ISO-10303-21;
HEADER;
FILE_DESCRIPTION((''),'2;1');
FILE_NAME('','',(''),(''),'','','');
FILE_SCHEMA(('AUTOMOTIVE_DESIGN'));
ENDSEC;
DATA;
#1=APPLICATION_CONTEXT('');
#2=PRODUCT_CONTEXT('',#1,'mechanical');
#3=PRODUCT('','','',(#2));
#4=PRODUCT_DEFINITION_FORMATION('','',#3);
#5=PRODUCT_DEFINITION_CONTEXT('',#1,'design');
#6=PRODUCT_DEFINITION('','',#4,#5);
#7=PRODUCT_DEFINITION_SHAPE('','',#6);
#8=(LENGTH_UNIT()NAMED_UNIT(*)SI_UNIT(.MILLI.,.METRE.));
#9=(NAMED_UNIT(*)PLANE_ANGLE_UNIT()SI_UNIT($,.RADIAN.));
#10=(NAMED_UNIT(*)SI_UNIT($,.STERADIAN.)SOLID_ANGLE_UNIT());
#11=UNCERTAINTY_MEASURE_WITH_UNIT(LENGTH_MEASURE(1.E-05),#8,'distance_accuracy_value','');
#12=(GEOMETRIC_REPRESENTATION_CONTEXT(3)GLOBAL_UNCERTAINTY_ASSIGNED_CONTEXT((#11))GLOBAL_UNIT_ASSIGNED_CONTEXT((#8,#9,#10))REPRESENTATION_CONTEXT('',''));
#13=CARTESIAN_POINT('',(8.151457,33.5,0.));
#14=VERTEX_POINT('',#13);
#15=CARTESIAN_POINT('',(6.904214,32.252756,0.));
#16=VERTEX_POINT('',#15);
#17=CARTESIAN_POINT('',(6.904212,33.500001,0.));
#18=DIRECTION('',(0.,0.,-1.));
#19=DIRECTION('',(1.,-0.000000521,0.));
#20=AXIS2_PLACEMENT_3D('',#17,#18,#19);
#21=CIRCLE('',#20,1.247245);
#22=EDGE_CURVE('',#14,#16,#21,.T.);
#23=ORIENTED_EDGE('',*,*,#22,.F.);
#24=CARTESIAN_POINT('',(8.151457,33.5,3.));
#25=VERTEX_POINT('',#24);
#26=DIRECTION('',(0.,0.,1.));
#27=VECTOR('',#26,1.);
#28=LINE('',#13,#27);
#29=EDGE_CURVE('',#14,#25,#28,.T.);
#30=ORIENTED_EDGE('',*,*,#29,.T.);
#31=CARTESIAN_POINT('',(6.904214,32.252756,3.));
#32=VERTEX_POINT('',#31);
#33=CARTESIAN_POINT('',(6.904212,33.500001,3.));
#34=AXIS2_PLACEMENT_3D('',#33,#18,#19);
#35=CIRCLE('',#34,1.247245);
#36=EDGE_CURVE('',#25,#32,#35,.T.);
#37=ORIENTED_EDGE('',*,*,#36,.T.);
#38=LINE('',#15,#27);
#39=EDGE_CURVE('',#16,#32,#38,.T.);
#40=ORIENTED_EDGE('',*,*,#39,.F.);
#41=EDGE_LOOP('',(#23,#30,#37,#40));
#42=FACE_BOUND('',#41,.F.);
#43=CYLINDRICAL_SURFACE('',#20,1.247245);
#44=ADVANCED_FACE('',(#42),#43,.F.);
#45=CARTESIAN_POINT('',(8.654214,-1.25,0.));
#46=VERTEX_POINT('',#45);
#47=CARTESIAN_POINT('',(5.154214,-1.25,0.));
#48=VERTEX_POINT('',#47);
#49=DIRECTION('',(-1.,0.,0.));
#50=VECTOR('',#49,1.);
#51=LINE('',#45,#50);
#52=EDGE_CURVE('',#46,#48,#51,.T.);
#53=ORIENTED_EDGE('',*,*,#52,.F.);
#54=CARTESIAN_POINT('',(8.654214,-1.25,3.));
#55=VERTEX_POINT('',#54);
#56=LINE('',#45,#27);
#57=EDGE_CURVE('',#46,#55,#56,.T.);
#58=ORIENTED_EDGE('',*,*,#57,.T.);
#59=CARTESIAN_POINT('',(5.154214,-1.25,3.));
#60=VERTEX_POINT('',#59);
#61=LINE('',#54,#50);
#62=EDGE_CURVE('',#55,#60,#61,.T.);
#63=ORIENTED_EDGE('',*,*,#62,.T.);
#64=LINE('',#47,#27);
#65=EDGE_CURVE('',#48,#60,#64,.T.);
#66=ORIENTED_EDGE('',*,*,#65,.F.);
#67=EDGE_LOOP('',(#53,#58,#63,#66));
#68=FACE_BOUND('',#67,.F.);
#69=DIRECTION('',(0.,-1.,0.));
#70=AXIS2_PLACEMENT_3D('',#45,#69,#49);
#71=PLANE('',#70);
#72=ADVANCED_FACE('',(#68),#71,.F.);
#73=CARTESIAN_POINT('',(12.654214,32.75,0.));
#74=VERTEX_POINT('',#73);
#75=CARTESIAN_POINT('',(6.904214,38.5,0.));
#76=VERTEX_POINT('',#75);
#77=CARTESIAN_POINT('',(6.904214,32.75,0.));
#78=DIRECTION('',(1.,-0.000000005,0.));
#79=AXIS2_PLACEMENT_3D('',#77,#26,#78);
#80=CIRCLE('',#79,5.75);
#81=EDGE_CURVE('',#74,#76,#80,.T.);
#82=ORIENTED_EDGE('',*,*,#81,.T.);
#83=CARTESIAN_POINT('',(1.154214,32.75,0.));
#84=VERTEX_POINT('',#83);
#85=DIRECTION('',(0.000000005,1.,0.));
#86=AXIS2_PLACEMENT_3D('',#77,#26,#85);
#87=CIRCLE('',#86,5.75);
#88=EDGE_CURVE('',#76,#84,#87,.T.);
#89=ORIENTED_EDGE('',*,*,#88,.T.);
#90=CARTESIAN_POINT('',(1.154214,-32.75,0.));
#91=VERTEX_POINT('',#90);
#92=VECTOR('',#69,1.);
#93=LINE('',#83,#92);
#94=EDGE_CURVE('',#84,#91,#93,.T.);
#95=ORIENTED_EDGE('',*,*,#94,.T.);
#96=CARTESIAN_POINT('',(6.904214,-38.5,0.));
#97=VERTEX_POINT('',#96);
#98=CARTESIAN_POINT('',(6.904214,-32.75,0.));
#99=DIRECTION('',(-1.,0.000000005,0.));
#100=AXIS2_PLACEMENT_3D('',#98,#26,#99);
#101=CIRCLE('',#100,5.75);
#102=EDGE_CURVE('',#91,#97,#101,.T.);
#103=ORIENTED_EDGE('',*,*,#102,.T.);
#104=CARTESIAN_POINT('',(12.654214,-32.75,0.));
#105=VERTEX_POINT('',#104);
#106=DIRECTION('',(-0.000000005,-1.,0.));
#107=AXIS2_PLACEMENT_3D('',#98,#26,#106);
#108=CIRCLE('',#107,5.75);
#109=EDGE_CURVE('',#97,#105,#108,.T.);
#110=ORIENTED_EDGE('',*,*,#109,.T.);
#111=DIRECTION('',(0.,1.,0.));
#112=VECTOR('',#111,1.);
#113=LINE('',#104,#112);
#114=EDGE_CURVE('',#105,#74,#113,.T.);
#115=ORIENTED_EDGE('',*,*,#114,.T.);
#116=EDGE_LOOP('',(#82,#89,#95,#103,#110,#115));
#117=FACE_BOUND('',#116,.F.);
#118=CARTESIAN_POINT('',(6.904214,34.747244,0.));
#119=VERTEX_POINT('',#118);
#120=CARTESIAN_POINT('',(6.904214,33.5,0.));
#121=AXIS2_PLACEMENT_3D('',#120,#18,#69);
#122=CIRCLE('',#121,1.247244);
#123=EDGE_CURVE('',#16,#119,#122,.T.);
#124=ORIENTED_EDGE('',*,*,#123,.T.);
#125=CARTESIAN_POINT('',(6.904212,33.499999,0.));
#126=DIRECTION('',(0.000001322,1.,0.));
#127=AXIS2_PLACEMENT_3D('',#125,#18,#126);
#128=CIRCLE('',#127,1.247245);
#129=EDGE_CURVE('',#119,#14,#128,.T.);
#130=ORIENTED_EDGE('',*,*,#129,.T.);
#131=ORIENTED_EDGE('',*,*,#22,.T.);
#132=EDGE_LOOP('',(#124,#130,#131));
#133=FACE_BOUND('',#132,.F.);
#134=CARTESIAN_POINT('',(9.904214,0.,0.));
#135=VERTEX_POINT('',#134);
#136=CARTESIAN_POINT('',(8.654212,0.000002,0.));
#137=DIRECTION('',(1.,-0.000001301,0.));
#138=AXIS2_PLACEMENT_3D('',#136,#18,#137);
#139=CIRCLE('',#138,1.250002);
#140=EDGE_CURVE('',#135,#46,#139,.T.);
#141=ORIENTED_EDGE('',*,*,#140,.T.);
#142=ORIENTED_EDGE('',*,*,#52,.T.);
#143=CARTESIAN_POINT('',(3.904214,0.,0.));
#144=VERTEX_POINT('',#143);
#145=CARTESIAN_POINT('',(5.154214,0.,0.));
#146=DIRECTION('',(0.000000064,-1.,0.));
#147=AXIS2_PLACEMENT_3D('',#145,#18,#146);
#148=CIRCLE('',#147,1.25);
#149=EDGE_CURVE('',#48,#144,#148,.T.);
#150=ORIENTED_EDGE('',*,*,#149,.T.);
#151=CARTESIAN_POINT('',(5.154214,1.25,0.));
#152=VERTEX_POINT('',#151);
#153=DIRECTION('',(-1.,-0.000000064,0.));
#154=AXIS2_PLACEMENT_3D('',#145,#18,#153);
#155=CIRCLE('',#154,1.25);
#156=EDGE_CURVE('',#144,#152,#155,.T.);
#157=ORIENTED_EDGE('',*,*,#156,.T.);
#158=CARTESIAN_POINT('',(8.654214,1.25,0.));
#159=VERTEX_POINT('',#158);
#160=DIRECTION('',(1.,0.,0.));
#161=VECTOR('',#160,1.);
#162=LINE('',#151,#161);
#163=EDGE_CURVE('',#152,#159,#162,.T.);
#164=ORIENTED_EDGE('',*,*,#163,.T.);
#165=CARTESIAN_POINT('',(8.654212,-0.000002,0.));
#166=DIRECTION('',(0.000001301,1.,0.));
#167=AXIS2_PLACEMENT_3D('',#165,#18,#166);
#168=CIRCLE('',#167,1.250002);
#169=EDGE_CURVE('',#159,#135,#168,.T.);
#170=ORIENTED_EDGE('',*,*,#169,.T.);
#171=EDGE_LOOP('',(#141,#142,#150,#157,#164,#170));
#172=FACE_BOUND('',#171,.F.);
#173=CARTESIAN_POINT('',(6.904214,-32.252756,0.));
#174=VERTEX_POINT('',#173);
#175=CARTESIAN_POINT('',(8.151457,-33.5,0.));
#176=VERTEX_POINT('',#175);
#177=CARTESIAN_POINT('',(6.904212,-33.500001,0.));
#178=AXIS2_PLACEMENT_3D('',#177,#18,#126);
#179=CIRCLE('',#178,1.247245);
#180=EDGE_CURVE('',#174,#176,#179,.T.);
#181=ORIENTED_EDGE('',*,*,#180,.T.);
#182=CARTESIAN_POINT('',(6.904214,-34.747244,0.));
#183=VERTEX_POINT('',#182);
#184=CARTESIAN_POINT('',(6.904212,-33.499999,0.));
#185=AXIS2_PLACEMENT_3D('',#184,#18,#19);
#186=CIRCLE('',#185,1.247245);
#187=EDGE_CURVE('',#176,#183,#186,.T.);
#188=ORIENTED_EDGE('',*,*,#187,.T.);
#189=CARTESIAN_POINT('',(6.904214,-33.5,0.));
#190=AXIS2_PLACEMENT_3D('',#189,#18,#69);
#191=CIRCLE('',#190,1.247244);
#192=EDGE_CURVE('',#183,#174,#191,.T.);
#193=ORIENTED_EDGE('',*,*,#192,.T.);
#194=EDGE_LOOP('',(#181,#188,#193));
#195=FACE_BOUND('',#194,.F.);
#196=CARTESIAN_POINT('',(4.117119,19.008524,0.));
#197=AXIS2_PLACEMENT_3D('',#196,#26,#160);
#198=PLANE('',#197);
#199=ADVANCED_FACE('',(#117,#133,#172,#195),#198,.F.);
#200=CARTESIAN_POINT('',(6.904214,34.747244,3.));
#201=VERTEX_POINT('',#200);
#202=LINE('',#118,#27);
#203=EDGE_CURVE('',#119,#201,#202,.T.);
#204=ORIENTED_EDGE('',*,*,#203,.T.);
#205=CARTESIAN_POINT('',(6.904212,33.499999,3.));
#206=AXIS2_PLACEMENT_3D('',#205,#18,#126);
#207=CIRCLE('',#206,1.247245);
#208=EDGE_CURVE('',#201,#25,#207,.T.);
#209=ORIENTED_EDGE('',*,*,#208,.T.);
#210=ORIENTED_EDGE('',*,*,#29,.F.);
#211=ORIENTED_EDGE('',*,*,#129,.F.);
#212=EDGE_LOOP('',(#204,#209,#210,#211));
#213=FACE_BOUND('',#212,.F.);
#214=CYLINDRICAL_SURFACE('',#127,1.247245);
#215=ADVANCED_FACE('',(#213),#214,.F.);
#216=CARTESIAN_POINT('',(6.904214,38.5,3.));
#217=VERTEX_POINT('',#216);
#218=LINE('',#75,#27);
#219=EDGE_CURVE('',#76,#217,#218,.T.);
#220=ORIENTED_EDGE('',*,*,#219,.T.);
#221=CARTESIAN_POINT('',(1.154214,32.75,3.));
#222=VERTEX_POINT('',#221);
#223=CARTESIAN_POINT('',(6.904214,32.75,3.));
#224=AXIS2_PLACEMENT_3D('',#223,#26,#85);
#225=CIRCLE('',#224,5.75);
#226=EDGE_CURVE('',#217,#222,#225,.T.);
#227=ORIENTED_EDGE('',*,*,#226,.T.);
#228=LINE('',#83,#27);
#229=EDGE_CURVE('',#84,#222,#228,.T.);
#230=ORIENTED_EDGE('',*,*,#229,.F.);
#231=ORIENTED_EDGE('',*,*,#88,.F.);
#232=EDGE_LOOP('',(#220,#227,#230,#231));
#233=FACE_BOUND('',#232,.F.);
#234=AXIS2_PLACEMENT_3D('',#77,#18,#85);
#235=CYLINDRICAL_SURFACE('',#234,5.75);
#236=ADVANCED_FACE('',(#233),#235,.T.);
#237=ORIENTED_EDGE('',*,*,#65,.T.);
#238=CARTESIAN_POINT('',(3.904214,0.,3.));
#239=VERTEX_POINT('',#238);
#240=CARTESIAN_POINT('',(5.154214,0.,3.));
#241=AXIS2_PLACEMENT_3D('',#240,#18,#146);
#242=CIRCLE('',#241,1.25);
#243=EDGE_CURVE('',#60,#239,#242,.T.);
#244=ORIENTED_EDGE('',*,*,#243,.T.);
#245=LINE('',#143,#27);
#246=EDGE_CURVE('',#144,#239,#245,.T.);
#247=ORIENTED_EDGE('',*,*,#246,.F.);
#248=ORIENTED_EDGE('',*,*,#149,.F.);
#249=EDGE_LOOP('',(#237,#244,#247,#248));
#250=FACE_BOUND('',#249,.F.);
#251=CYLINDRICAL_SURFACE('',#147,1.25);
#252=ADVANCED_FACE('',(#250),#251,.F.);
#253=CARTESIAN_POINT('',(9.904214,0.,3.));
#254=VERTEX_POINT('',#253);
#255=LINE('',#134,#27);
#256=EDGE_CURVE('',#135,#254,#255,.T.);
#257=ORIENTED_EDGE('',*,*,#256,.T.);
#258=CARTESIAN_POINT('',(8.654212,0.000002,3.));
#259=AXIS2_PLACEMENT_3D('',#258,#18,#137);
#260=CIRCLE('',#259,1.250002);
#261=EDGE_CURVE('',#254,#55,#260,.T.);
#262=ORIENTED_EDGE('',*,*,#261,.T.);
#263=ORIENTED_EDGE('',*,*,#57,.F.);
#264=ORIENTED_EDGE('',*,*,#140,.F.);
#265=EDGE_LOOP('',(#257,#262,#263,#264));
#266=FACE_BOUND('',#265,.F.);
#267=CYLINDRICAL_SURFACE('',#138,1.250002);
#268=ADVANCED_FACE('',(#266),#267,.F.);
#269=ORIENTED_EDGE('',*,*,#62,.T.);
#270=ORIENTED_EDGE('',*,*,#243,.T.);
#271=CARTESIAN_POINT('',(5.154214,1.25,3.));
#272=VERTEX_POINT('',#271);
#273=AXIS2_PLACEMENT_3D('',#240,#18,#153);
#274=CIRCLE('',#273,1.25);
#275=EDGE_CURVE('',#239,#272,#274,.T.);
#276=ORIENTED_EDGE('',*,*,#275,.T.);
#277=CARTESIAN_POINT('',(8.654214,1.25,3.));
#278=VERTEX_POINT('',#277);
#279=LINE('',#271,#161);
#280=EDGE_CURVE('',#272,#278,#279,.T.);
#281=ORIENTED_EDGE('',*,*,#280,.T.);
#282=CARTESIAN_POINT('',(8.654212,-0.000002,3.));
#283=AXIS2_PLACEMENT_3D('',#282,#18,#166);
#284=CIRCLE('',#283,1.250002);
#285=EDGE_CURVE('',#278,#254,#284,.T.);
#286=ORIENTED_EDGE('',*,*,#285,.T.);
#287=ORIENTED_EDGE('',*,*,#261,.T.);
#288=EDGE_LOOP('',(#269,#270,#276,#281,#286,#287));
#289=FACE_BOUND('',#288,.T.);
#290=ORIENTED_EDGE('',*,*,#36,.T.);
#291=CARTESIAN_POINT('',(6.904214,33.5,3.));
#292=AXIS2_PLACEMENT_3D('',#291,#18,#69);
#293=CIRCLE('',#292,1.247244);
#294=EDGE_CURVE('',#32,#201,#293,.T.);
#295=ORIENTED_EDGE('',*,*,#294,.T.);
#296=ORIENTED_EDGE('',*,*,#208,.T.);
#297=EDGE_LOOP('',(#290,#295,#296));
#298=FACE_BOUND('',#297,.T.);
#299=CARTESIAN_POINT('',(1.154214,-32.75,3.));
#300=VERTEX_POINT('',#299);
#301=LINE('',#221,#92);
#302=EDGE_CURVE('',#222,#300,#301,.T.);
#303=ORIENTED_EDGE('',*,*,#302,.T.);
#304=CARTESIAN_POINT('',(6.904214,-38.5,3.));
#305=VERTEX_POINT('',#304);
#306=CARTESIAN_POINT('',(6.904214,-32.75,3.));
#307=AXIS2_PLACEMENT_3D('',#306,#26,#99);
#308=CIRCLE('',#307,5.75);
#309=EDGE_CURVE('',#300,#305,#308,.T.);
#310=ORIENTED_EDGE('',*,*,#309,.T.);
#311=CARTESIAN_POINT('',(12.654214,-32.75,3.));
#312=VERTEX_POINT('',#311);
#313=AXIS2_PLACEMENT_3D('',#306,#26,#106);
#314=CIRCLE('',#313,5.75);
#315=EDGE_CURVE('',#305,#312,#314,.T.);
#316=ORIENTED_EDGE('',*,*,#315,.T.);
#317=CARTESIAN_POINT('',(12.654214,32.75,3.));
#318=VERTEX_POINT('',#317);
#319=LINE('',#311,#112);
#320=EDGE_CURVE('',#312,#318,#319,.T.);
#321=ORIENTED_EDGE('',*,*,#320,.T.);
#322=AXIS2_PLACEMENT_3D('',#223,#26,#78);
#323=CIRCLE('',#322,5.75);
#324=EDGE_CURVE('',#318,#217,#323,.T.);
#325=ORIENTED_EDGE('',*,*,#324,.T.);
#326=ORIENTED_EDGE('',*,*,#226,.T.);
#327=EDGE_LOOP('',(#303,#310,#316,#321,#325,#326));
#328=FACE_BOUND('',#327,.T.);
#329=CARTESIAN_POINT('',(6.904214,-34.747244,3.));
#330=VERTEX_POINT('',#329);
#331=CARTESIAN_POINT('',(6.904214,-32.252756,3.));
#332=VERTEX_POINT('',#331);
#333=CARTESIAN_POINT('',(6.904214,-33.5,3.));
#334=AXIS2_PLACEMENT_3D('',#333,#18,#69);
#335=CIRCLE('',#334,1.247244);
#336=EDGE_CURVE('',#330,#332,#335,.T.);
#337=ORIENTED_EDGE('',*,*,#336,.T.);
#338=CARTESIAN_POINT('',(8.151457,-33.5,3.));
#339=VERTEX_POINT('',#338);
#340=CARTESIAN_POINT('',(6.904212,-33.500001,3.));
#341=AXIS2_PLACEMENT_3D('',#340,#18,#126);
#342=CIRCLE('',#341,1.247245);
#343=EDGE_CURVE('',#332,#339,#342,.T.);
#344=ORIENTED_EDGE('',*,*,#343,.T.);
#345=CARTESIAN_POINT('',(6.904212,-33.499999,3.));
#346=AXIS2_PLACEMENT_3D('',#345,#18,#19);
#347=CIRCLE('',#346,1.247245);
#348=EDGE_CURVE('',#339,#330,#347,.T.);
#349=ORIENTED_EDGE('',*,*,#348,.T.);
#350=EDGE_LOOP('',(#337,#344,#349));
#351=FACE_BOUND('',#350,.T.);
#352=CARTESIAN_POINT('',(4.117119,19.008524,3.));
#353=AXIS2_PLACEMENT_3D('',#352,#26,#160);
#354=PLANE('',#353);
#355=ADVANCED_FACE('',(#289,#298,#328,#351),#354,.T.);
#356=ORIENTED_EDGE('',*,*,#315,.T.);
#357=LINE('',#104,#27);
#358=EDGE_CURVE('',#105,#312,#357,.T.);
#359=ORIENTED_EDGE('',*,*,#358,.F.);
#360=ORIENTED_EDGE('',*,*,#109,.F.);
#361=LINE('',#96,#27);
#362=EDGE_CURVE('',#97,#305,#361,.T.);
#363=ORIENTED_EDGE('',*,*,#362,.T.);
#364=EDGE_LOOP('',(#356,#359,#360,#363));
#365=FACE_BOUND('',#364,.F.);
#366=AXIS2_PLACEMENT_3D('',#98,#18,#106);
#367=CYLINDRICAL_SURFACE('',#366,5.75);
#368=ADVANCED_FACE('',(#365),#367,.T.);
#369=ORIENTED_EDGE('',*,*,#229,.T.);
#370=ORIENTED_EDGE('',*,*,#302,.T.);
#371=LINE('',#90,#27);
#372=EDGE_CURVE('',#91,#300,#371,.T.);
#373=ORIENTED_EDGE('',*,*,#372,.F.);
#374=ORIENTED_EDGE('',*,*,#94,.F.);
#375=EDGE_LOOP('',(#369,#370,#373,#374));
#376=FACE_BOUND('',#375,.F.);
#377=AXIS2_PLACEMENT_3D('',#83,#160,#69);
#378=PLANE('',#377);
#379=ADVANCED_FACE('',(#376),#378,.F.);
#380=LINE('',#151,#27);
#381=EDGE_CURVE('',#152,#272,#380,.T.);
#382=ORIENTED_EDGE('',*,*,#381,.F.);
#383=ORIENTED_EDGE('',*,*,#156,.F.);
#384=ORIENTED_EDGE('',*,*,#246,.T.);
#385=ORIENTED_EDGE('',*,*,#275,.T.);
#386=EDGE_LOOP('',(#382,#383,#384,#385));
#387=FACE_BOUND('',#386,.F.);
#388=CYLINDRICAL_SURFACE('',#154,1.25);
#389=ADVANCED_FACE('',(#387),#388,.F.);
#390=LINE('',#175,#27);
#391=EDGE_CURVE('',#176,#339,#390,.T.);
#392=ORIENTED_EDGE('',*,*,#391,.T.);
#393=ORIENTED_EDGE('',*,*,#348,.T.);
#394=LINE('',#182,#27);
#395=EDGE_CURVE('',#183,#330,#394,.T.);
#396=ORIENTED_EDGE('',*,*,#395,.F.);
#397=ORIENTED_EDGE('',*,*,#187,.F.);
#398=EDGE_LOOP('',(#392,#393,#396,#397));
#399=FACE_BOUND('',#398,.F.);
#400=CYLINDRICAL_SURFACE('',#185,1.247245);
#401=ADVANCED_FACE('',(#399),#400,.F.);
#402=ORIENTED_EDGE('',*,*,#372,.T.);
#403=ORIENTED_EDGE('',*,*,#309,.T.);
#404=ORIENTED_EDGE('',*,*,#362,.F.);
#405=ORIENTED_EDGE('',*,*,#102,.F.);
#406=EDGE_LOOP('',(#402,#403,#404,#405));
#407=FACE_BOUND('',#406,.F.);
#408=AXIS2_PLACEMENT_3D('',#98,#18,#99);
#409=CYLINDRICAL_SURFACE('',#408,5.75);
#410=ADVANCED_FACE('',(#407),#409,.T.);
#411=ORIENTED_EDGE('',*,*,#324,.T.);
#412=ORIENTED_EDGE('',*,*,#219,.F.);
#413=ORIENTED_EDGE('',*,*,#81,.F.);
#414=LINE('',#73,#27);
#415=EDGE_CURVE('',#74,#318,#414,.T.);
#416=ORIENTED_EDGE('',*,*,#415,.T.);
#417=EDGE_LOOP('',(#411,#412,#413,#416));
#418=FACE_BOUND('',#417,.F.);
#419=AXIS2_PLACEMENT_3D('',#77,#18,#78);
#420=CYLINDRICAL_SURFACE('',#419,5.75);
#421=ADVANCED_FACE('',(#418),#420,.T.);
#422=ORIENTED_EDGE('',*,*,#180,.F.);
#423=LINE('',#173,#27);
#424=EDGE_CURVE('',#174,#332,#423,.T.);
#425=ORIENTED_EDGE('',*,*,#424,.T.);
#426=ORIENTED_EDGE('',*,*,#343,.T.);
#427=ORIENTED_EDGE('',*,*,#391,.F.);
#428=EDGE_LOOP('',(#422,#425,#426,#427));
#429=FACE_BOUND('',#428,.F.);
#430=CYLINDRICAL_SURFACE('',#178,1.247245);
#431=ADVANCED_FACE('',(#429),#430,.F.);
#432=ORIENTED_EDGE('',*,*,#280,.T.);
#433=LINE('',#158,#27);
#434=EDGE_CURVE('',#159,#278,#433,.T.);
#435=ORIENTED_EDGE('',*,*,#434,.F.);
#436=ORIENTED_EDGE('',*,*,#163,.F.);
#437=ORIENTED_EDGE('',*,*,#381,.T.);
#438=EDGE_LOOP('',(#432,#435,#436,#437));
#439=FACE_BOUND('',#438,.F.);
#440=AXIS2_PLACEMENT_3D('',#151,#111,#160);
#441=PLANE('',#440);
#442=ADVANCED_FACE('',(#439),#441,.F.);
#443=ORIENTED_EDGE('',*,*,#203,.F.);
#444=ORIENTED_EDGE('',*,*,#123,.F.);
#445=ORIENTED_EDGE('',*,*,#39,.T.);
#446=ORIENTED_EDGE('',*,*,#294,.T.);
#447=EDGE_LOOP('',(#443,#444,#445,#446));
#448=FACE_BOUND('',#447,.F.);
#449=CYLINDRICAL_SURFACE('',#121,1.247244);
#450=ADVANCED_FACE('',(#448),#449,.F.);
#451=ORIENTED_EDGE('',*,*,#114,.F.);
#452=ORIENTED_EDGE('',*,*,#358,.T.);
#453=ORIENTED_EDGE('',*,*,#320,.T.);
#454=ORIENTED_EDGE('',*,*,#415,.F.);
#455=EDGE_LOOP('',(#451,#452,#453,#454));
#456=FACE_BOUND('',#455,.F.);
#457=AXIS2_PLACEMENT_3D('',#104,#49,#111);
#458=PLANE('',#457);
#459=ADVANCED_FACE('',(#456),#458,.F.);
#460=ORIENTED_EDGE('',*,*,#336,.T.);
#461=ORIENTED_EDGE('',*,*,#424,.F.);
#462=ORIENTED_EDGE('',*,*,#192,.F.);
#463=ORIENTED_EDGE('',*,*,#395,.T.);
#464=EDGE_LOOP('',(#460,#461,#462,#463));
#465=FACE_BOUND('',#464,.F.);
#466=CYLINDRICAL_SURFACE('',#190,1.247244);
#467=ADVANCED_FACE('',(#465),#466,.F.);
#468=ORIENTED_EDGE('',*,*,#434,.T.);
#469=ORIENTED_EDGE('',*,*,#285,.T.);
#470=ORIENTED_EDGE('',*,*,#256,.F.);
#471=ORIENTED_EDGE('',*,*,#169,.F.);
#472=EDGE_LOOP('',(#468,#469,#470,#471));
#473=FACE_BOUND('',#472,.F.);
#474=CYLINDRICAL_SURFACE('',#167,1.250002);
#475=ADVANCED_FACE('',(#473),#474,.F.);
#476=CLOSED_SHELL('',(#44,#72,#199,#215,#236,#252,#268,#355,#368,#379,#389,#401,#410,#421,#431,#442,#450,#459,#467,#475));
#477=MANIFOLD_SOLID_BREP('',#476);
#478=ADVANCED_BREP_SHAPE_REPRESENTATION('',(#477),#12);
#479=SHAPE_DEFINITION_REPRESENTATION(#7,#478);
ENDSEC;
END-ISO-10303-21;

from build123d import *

# Parameters (mm, degrees)
F1_DEPTH = 3


with BuildPart() as f1:
    # F0 (on Top) → F1 (new body)
    with BuildSketch(Plane.XY):
        with BuildLine():
            Line((1.154214, 32.75), (1.154214, 0))
            Line((1.154214, 0), (3.904214, 0))
            ThreePointArc((3.904214, 0), (4.27033, 0.883883), (5.154214, 1.25))
            Line((5.154214, 1.25), (6.904214, 1.25))
            Line((6.904214, 1.25), (6.904214, 32.252756))
            ThreePointArc((6.904214, 32.252756), (5.65697, 33.5), (6.904214, 34.747244))
            Line((6.904214, 34.747244), (6.904214, 38.5))
            ThreePointArc((6.904214, 38.5), (2.83835, 36.815864), (1.154214, 32.75))
        make_face()
        with BuildLine():
            Line((3.904214, 0), (1.154214, 0))
            Line((1.154214, 0), (1.154214, -32.75))
            ThreePointArc((1.154214, -32.75), (2.83835, -36.815864), (6.904214, -38.5))
            Line((6.904214, -38.5), (6.904214, -34.747244))
            ThreePointArc((6.904214, -34.747244), (5.65697, -33.5), (6.904214, -32.252756))
            Line((6.904214, -32.252756), (6.904214, -1.25))
            Line((6.904214, -1.25), (5.154214, -1.25))
            ThreePointArc((5.154214, -1.25), (4.27033, -0.883883), (3.904214, 0))
        make_face()
        with BuildLine():
            ThreePointArc((12.654214, 32.75), (10.970078, 36.815864), (6.904214, 38.5))
            Line((6.904214, 38.5), (6.904214, 34.747244))
            ThreePointArc((6.904214, 34.747244), (7.786148, 34.381934), (8.151457, 33.5))
            ThreePointArc((8.151457, 33.5), (7.786148, 32.618066), (6.904214, 32.252756))
            Line((6.904214, 32.252756), (6.904214, 1.25))
            Line((6.904214, 1.25), (8.654214, 1.25))
            ThreePointArc((8.654214, 1.25), (9.538097, 0.883883), (9.904214, 0))
            Line((9.904214, 0), (12.654214, 0))
            Line((12.654214, 0), (12.654214, 32.75))
        make_face()
        with BuildLine():
            Line((6.904214, -34.747244), (6.904214, -38.5))
            ThreePointArc((6.904214, -38.5), (10.970078, -36.815864), (12.654214, -32.75))
            Line((12.654214, -32.75), (12.654214, 0))
            Line((12.654214, 0), (9.904214, 0))
            ThreePointArc((9.904214, 0), (9.538097, -0.883883), (8.654214, -1.25))
            Line((8.654214, -1.25), (6.904214, -1.25))
            Line((6.904214, -1.25), (6.904214, -32.252756))
            ThreePointArc((6.904214, -32.252756), (7.786148, -32.618066), (8.151457, -33.5))
            ThreePointArc((8.151457, -33.5), (7.786148, -34.381934), (6.904214, -34.747244))
        make_face()
    extrude(amount=F1_DEPTH)


solid = f1.part
